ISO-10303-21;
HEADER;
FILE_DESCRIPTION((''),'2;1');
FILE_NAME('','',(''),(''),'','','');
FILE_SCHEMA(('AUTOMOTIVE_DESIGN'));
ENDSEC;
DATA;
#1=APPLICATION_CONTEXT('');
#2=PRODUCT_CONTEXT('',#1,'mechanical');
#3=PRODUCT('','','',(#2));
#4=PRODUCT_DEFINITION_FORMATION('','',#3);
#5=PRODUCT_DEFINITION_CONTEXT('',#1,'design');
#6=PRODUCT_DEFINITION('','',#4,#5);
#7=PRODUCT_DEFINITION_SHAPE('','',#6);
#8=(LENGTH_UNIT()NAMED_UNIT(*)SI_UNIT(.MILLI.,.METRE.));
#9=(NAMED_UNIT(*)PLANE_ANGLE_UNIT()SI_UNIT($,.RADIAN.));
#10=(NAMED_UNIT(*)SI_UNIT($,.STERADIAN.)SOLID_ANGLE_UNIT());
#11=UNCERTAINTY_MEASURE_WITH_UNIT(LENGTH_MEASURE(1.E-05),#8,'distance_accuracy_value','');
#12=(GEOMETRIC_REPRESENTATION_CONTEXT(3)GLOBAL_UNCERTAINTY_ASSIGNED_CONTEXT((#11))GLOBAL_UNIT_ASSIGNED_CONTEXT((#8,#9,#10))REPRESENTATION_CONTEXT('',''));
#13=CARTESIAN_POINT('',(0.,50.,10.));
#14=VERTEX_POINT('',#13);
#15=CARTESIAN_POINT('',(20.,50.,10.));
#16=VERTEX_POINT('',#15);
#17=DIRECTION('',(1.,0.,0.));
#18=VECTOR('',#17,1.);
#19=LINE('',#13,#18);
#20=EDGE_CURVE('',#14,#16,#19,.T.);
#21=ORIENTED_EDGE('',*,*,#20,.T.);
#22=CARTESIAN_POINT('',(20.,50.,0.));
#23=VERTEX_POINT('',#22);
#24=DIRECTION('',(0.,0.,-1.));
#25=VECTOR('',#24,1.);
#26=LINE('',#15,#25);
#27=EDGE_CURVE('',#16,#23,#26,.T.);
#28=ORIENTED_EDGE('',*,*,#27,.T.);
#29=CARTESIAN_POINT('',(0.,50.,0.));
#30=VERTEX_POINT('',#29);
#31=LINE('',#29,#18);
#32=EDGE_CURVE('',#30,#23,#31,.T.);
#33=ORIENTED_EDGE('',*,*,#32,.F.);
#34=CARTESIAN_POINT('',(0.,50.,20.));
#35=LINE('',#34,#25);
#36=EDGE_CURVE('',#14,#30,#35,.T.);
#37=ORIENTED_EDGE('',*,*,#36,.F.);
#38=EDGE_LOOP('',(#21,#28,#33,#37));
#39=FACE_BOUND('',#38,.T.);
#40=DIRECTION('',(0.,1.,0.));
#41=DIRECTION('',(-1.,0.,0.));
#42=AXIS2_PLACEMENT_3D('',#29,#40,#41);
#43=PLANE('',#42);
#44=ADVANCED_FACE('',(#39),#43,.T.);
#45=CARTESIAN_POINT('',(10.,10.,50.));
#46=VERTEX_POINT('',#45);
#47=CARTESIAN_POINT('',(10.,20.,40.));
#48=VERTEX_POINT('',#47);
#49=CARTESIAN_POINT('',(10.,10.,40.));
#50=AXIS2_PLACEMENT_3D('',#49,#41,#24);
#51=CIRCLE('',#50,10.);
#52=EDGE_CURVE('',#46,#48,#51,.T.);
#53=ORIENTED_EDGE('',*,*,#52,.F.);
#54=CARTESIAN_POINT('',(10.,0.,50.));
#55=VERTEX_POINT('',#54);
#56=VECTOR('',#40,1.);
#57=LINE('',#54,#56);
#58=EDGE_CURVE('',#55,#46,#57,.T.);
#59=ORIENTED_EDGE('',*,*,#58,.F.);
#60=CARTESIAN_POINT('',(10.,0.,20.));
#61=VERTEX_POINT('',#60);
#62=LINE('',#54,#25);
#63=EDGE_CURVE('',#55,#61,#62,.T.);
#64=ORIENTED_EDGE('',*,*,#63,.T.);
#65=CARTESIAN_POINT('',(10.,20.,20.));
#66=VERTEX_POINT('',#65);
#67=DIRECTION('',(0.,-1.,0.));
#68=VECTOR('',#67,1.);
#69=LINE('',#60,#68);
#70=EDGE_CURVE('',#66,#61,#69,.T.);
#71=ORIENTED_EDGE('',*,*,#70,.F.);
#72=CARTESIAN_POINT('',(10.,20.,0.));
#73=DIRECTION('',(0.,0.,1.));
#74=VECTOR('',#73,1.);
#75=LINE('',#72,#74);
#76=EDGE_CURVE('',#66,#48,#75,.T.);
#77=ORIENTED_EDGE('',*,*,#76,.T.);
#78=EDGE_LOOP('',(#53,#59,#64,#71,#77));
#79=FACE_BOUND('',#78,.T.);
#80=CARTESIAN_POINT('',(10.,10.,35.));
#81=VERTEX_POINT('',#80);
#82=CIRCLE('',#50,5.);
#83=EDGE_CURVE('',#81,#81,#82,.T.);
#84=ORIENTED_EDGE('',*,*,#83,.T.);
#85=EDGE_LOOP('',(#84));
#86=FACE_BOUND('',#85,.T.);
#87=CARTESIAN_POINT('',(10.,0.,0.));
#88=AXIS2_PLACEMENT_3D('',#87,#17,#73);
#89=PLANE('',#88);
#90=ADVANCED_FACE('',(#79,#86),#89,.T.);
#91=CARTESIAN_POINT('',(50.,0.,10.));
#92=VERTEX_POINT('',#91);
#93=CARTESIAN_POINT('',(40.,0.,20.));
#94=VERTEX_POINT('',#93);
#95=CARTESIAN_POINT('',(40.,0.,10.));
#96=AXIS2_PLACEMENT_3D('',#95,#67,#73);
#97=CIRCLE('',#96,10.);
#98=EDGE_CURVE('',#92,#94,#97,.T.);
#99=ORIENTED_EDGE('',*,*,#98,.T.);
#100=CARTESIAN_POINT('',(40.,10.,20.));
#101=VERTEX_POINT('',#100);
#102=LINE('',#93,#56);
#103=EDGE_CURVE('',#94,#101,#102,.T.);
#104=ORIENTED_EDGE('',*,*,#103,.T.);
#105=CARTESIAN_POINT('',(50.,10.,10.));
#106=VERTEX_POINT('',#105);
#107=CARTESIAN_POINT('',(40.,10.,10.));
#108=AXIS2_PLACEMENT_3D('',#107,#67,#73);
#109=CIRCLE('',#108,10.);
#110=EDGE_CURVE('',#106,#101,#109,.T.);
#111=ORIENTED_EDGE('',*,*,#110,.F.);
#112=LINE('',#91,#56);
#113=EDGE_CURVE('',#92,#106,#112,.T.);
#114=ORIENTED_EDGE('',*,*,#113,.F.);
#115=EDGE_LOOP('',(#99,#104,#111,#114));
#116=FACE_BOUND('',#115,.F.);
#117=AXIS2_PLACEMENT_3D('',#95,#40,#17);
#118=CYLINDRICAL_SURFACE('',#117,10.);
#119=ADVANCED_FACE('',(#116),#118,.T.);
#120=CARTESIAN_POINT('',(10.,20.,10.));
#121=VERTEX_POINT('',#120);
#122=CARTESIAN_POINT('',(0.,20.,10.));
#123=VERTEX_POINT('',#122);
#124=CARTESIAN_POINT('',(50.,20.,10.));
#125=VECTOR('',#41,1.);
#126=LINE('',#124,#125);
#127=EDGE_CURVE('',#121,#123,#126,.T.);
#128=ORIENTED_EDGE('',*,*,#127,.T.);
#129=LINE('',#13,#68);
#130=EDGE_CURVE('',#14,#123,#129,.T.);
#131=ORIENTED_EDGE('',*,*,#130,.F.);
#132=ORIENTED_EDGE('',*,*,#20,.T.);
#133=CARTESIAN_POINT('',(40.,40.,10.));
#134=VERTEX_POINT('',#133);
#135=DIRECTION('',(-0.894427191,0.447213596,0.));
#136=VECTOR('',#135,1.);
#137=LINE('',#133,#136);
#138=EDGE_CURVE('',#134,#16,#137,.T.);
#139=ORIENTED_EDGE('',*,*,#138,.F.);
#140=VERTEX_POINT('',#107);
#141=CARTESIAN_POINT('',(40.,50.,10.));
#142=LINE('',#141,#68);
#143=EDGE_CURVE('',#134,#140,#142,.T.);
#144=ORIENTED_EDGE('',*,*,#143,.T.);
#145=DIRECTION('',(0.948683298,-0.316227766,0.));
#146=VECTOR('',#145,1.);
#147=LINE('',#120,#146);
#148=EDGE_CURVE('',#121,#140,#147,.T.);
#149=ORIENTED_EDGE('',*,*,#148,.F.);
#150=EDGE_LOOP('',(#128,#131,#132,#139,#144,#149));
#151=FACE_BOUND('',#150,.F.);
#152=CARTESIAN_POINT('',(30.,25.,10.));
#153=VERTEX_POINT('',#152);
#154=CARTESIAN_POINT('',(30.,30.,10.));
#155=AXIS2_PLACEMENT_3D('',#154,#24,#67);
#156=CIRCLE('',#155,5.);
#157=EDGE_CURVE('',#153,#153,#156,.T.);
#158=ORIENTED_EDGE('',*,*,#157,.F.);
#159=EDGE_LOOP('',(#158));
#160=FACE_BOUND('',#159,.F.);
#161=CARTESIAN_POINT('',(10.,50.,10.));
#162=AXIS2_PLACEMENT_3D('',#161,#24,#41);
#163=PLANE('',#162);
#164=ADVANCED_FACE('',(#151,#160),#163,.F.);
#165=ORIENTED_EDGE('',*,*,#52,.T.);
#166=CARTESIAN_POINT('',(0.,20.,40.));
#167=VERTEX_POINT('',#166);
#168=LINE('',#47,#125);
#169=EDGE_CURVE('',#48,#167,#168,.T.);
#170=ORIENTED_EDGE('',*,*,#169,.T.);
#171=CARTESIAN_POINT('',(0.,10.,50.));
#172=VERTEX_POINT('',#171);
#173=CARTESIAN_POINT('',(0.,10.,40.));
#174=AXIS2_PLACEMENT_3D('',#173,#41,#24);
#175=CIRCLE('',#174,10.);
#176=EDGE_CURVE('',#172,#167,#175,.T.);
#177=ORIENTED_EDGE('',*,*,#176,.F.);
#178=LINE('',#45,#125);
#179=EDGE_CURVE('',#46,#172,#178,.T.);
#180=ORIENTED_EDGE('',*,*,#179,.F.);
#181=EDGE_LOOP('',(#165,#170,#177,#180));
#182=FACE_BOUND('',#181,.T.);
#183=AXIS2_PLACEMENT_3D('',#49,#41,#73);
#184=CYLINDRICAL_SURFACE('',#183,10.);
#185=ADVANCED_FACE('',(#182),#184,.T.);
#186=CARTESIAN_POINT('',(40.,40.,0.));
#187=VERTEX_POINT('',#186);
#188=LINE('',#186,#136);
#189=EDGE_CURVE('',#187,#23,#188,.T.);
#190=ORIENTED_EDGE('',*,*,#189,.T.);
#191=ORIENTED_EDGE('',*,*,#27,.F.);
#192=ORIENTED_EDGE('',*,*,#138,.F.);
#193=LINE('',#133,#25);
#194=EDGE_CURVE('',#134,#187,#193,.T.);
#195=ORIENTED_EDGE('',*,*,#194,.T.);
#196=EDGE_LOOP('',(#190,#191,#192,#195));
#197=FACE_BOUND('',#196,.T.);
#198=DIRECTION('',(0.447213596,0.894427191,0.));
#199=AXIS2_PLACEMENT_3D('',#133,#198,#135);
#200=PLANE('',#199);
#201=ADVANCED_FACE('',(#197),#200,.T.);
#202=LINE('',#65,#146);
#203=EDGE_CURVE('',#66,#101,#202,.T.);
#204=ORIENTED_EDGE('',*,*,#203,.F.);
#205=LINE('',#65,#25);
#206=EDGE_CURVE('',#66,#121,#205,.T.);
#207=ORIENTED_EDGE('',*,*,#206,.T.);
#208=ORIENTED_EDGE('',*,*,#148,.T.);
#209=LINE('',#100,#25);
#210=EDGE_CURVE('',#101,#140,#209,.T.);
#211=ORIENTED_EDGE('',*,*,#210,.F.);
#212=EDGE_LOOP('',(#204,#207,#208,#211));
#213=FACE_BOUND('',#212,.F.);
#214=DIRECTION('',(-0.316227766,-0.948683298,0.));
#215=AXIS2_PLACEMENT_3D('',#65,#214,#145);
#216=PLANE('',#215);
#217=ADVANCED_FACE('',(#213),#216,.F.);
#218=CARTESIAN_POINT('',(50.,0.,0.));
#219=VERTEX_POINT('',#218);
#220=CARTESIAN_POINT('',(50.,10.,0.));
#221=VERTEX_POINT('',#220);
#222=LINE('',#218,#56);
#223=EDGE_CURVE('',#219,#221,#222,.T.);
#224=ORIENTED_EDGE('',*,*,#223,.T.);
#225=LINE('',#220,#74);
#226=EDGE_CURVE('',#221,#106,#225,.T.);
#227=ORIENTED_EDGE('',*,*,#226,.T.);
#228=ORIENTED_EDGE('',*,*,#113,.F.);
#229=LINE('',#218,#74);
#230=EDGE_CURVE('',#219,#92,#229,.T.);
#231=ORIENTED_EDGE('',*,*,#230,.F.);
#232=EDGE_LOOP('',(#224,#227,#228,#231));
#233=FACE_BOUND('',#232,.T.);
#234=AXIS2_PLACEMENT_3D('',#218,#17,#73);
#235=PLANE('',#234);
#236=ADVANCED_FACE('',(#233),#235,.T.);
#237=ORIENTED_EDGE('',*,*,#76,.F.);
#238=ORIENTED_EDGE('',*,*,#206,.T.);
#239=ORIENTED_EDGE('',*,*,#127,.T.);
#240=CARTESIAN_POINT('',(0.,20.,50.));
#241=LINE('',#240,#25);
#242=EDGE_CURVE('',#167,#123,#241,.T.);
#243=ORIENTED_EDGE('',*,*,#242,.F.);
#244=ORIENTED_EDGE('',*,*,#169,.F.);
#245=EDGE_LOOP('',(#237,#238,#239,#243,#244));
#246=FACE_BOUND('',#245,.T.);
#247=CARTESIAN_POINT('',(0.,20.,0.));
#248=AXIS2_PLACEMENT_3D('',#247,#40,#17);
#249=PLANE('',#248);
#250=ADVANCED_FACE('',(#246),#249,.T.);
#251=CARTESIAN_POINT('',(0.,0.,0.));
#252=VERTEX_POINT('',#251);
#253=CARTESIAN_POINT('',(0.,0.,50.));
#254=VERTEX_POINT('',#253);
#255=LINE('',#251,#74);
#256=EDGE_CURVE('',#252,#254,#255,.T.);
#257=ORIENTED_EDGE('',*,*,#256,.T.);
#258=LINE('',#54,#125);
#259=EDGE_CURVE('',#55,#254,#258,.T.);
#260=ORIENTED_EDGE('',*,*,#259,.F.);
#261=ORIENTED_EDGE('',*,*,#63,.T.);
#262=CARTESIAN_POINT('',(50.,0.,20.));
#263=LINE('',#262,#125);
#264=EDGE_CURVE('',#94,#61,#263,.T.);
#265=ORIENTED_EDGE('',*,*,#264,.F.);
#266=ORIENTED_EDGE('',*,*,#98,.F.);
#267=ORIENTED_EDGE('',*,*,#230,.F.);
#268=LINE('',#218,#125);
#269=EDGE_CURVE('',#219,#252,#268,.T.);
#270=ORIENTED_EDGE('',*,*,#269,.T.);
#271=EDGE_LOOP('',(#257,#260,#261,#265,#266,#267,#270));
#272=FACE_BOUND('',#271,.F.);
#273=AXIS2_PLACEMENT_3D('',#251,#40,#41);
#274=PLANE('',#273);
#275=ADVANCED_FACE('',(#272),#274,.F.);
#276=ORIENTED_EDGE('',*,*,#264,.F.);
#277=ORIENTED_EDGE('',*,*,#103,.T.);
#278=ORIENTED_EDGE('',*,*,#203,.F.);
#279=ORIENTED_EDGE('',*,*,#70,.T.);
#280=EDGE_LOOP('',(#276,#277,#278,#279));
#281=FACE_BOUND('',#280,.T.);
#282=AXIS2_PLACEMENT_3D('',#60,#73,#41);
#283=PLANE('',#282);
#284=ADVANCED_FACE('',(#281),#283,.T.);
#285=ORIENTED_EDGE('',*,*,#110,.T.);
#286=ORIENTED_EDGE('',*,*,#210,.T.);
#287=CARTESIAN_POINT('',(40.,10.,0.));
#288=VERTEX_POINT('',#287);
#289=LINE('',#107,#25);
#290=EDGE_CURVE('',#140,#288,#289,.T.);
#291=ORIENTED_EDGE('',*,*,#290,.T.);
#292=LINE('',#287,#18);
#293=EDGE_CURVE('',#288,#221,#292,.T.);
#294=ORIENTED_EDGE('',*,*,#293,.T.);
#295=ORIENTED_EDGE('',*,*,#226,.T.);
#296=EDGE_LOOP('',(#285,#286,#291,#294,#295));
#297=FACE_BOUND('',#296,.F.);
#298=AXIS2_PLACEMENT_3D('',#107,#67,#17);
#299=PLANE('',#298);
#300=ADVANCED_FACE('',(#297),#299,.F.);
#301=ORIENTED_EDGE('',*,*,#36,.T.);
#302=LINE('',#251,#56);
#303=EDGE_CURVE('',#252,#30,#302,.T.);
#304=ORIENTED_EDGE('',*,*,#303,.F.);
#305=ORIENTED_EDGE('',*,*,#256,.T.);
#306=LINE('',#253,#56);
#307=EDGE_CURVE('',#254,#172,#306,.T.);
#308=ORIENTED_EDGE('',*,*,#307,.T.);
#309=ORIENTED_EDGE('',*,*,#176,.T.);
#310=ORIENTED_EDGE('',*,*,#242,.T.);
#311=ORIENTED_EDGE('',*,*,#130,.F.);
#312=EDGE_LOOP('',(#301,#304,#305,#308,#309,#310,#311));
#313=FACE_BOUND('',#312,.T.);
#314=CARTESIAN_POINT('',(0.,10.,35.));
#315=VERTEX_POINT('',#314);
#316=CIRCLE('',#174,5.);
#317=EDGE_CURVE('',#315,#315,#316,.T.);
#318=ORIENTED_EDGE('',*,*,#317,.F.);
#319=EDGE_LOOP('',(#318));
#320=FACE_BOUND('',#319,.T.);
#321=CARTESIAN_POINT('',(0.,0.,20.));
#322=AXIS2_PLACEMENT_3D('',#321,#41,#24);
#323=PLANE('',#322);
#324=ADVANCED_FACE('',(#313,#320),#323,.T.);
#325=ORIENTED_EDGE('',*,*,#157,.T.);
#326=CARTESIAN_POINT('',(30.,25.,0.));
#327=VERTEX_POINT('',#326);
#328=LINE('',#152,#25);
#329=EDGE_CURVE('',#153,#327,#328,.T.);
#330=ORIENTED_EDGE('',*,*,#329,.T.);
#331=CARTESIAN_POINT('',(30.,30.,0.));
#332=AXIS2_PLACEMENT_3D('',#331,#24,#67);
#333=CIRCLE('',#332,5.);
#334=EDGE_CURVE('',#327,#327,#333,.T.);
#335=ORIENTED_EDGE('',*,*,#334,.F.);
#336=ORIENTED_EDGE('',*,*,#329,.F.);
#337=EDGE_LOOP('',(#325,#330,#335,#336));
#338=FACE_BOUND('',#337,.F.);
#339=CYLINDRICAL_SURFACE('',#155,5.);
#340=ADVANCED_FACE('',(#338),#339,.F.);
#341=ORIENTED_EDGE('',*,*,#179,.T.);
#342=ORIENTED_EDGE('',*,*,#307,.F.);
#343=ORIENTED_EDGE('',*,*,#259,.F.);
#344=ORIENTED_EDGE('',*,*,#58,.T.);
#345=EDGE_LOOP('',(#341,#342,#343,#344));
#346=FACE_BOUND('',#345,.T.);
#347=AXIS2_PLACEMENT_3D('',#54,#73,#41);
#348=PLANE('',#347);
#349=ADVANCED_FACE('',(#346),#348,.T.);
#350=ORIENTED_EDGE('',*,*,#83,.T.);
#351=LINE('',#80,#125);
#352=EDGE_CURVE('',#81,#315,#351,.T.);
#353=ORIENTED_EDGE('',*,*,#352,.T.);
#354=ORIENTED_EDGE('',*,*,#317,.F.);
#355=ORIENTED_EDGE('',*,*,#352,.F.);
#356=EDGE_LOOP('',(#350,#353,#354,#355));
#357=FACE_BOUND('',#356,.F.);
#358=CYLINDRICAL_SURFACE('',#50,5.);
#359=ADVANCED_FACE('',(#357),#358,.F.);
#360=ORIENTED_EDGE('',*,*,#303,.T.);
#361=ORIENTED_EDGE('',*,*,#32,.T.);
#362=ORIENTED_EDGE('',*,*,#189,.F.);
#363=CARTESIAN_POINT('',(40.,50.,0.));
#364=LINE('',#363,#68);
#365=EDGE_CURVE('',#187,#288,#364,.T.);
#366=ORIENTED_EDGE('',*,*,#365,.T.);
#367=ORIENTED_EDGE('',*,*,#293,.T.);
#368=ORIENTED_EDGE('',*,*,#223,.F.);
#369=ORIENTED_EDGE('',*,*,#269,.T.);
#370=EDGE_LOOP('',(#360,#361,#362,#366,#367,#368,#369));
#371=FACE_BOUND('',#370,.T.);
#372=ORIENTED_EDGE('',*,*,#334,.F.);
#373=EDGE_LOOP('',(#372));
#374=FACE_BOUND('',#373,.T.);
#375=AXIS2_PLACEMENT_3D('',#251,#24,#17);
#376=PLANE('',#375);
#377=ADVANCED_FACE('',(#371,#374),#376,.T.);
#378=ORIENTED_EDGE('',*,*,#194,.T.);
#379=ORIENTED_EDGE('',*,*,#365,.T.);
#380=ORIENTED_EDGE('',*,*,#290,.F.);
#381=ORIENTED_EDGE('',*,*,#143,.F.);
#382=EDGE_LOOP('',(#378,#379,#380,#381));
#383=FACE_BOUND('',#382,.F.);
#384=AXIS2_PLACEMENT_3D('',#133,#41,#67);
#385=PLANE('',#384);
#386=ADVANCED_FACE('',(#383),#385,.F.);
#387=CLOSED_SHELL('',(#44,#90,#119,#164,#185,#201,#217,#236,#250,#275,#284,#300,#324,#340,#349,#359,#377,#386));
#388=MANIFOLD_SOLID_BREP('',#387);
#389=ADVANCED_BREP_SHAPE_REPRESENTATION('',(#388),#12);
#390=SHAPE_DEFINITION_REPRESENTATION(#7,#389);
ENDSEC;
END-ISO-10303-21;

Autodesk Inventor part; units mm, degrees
ref_plane "YZ Plane" through (0, 0, 0) normal (1, 0, 0) x (0, 1, 0)
ref_plane "XZ Plane" through (0, 0, 0) normal (0, 1, 0) x (-1, 0, 0)
ref_plane "XY Plane" through (0, 0, 0) normal (0, 0, 1) x (1, 0, 0)
sketch "草圖1" plane through (0, 0, 0) normal (0, 1, 0) x (-1, 0, 0)
  line L0 (0, 0) -> (-50, 0)
  line L1 (-50, 0) -> (-50, 20)
  line L2 (-50, 20) -> (0, 20)
  line L3 (0, 20) -> (0, 0)
  line L4 (0, 0) -> (-10, 0)
  line L5 (-10, 0) -> (-10, 50)
  line L6 (-10, 50) -> (0, 50)
  line L7 (0, 50) -> (0, 0)
  dimension "d0" = 50
  dimension "d1" = 20
  dimension "d2" = 50
  dimension "d3" = 10
extrude "擠出1" add sketch "草圖1" along normal blind 20 contours L0 L5 L2 L3 | L2 L5 L6 L7
extrude "擠出2" add sketch "草圖1" along normal blind 50 contours L0 L5 L2 L3 | L0 L1 L2 L5
sketch "草圖3" plane through (0, 50, 0) normal (0, 1, 0) x (1, 0, 0)
  line L0 (50, -20) -> (0, -20) projected
  line L1 (0, -20) -> (0, 0) projected
  line L2 (0, 0) -> (50, 0) projected
  line L3 (0, -20) -> (10, -20)
  line L4 (10, -20) -> (10, -10)
  line L5 (10, -10) -> (0, -10)
  line L6 (0, -10) -> (0, -20)
  line L7 (10, -50) -> (10, -20) projected
  line L8 (50, 0) -> (50, -20) projected
  point P0 (0, -10)
  dimension "d12" = 10
extrude "擠出4" cut sketch "草圖3" against normal up to surface (30 mm away) contours L0 L1 L5 L4
sketch "草圖4" plane through (0, 50, 0) normal (0, 1, 0) x (1, 0, 0)
  line L0 (50, -20) -> (10, -20) projected
  line L1 (10, -20) -> (10, -10) projected
  line L2 (10, -10) -> (0, -10) projected
  line L3 (0, -10) -> (0, 0) projected
  line L4 (0, 0) -> (50, 0) projected
  line L5 (10, -10) -> (10, -20) projected
  line L6 (10, -10) -> (63.9282, -10)
  line L7 (63.9282, -10) -> (63.9282, -20)
  line L8 (63.9282, -20) -> (10, -20)
  line L9 (10, -20) -> (10, -10)
  line L10 (10, -20) -> (50, -20) projected
  line L11 (50, 0) -> (50, -20) projected
  point P0 (30, -20)
extrude "擠出5" cut sketch "草圖4" against normal blind 30 contours L11 L6 L7 L8 | L0 L1 L6 L11
sketch "草圖5" plane through (10, 0, 20) normal (0, 0, 1) x (1, 0, 0)
  line L0 (40, 20) -> (40, 0) projected
  line L1 (40, 0) -> (0, 0) projected
  line L2 (0, 0) -> (-10, 0) projected
  line L3 (-10, 0) -> (-10, 20) projected
  line L4 (-10, 20) -> (0, 20) projected
  line L5 (0, 20) -> (40, 20) projected
  line L6 (0, 20) -> (0, 0) projected
  line L7 (0, 20) -> (30, 10)
  line L8 (30, 10) -> (40, 10)
  line L9 (40, 0) -> (40, 50) projected
  dimension "d17" = 10
  dimension "d18" = 10
extrude "擠出6" cut sketch "草圖5" against normal blind 10 contours L0 L8 L7 L5
sketch "草圖6" plane through (0, 50, 10) normal (0, 0, 1) x (1, 0, 0)
  line L0 (0, -50) -> (0, -30) projected
  line L1 (0, -30) -> (0, 0) projected
  line L2 (0, 0) -> (50, 0) projected
  line L3 (50, 0) -> (50, -40) projected
  line L4 (50, -40) -> (50, -50) projected
  line L5 (50, -50) -> (0, -50) projected
  line L6 (0, -30) -> (10, -30) projected
  line L7 (10, -30) -> (40, -40) projected
  line L8 (40, -40) -> (50, -40) projected
  line L9 (0, 0) -> (50, 0) projected
  line L10 (40, -40) -> (50, -40)
  line L11 (50, -40) -> (50, 0)
  line L12 (50, 0) -> (40, 0)
  line L13 (40, 0) -> (40, -40)
  line L14 (40, -10) -> (20, 0)
  point P0 (20, 0)
  dimension "d21" = 20
  dimension "d22" = 10
extrude "擠出7" cut sketch "草圖6" against normal blind 10 contours L8 L13 L2 L3 | L2 L13 L14
fillet "圓角1" radius 10 1 edges at (50, 5, 20)
fillet "圓角2" radius 10 1 edges at (5, 20, 50)
sketch "草圖7" plane through (0, 20, 10) normal (0, 0, 1) x (1, 0, 0)
  line L0 (20, 30) -> (40, 20) projected
  line L1 (40, 20) -> (40, -10) projected
  line L2 (40, -10) -> (50, -10) projected
  line L3 (50, -10) -> (50, -20) projected
  line L4 (50, -20) -> (0, -20) projected
  line L5 (0, -20) -> (0, 0) projected
  line L6 (0, 0) -> (0, 30) projected
  line L7 (0, 30) -> (20, 30) projected
  line L8 (10, 0) -> (40, -10) projected
  line L9 (0, 0) -> (10, 0) projected
  point P0 (30, 10)
  dimension "d27" = 10
  dimension "d28" = 20
hole "孔1" at (30, 30, 10) direction (0, 0, -1) diameter 10 end through all
sketch "草圖8" plane through (10, 0, 50) normal (1, 0, 0) x (0, 0, -1)
  arc A0 (10, 20) -> (0, 10) centre (10, 10) ccw projected
  point P0 (50, 0)
hole "孔2" at (10, 10, 40) direction (-1, 0, 0) diameter 10 end through all
properties part number "30" material "鋼、碳鋼"
